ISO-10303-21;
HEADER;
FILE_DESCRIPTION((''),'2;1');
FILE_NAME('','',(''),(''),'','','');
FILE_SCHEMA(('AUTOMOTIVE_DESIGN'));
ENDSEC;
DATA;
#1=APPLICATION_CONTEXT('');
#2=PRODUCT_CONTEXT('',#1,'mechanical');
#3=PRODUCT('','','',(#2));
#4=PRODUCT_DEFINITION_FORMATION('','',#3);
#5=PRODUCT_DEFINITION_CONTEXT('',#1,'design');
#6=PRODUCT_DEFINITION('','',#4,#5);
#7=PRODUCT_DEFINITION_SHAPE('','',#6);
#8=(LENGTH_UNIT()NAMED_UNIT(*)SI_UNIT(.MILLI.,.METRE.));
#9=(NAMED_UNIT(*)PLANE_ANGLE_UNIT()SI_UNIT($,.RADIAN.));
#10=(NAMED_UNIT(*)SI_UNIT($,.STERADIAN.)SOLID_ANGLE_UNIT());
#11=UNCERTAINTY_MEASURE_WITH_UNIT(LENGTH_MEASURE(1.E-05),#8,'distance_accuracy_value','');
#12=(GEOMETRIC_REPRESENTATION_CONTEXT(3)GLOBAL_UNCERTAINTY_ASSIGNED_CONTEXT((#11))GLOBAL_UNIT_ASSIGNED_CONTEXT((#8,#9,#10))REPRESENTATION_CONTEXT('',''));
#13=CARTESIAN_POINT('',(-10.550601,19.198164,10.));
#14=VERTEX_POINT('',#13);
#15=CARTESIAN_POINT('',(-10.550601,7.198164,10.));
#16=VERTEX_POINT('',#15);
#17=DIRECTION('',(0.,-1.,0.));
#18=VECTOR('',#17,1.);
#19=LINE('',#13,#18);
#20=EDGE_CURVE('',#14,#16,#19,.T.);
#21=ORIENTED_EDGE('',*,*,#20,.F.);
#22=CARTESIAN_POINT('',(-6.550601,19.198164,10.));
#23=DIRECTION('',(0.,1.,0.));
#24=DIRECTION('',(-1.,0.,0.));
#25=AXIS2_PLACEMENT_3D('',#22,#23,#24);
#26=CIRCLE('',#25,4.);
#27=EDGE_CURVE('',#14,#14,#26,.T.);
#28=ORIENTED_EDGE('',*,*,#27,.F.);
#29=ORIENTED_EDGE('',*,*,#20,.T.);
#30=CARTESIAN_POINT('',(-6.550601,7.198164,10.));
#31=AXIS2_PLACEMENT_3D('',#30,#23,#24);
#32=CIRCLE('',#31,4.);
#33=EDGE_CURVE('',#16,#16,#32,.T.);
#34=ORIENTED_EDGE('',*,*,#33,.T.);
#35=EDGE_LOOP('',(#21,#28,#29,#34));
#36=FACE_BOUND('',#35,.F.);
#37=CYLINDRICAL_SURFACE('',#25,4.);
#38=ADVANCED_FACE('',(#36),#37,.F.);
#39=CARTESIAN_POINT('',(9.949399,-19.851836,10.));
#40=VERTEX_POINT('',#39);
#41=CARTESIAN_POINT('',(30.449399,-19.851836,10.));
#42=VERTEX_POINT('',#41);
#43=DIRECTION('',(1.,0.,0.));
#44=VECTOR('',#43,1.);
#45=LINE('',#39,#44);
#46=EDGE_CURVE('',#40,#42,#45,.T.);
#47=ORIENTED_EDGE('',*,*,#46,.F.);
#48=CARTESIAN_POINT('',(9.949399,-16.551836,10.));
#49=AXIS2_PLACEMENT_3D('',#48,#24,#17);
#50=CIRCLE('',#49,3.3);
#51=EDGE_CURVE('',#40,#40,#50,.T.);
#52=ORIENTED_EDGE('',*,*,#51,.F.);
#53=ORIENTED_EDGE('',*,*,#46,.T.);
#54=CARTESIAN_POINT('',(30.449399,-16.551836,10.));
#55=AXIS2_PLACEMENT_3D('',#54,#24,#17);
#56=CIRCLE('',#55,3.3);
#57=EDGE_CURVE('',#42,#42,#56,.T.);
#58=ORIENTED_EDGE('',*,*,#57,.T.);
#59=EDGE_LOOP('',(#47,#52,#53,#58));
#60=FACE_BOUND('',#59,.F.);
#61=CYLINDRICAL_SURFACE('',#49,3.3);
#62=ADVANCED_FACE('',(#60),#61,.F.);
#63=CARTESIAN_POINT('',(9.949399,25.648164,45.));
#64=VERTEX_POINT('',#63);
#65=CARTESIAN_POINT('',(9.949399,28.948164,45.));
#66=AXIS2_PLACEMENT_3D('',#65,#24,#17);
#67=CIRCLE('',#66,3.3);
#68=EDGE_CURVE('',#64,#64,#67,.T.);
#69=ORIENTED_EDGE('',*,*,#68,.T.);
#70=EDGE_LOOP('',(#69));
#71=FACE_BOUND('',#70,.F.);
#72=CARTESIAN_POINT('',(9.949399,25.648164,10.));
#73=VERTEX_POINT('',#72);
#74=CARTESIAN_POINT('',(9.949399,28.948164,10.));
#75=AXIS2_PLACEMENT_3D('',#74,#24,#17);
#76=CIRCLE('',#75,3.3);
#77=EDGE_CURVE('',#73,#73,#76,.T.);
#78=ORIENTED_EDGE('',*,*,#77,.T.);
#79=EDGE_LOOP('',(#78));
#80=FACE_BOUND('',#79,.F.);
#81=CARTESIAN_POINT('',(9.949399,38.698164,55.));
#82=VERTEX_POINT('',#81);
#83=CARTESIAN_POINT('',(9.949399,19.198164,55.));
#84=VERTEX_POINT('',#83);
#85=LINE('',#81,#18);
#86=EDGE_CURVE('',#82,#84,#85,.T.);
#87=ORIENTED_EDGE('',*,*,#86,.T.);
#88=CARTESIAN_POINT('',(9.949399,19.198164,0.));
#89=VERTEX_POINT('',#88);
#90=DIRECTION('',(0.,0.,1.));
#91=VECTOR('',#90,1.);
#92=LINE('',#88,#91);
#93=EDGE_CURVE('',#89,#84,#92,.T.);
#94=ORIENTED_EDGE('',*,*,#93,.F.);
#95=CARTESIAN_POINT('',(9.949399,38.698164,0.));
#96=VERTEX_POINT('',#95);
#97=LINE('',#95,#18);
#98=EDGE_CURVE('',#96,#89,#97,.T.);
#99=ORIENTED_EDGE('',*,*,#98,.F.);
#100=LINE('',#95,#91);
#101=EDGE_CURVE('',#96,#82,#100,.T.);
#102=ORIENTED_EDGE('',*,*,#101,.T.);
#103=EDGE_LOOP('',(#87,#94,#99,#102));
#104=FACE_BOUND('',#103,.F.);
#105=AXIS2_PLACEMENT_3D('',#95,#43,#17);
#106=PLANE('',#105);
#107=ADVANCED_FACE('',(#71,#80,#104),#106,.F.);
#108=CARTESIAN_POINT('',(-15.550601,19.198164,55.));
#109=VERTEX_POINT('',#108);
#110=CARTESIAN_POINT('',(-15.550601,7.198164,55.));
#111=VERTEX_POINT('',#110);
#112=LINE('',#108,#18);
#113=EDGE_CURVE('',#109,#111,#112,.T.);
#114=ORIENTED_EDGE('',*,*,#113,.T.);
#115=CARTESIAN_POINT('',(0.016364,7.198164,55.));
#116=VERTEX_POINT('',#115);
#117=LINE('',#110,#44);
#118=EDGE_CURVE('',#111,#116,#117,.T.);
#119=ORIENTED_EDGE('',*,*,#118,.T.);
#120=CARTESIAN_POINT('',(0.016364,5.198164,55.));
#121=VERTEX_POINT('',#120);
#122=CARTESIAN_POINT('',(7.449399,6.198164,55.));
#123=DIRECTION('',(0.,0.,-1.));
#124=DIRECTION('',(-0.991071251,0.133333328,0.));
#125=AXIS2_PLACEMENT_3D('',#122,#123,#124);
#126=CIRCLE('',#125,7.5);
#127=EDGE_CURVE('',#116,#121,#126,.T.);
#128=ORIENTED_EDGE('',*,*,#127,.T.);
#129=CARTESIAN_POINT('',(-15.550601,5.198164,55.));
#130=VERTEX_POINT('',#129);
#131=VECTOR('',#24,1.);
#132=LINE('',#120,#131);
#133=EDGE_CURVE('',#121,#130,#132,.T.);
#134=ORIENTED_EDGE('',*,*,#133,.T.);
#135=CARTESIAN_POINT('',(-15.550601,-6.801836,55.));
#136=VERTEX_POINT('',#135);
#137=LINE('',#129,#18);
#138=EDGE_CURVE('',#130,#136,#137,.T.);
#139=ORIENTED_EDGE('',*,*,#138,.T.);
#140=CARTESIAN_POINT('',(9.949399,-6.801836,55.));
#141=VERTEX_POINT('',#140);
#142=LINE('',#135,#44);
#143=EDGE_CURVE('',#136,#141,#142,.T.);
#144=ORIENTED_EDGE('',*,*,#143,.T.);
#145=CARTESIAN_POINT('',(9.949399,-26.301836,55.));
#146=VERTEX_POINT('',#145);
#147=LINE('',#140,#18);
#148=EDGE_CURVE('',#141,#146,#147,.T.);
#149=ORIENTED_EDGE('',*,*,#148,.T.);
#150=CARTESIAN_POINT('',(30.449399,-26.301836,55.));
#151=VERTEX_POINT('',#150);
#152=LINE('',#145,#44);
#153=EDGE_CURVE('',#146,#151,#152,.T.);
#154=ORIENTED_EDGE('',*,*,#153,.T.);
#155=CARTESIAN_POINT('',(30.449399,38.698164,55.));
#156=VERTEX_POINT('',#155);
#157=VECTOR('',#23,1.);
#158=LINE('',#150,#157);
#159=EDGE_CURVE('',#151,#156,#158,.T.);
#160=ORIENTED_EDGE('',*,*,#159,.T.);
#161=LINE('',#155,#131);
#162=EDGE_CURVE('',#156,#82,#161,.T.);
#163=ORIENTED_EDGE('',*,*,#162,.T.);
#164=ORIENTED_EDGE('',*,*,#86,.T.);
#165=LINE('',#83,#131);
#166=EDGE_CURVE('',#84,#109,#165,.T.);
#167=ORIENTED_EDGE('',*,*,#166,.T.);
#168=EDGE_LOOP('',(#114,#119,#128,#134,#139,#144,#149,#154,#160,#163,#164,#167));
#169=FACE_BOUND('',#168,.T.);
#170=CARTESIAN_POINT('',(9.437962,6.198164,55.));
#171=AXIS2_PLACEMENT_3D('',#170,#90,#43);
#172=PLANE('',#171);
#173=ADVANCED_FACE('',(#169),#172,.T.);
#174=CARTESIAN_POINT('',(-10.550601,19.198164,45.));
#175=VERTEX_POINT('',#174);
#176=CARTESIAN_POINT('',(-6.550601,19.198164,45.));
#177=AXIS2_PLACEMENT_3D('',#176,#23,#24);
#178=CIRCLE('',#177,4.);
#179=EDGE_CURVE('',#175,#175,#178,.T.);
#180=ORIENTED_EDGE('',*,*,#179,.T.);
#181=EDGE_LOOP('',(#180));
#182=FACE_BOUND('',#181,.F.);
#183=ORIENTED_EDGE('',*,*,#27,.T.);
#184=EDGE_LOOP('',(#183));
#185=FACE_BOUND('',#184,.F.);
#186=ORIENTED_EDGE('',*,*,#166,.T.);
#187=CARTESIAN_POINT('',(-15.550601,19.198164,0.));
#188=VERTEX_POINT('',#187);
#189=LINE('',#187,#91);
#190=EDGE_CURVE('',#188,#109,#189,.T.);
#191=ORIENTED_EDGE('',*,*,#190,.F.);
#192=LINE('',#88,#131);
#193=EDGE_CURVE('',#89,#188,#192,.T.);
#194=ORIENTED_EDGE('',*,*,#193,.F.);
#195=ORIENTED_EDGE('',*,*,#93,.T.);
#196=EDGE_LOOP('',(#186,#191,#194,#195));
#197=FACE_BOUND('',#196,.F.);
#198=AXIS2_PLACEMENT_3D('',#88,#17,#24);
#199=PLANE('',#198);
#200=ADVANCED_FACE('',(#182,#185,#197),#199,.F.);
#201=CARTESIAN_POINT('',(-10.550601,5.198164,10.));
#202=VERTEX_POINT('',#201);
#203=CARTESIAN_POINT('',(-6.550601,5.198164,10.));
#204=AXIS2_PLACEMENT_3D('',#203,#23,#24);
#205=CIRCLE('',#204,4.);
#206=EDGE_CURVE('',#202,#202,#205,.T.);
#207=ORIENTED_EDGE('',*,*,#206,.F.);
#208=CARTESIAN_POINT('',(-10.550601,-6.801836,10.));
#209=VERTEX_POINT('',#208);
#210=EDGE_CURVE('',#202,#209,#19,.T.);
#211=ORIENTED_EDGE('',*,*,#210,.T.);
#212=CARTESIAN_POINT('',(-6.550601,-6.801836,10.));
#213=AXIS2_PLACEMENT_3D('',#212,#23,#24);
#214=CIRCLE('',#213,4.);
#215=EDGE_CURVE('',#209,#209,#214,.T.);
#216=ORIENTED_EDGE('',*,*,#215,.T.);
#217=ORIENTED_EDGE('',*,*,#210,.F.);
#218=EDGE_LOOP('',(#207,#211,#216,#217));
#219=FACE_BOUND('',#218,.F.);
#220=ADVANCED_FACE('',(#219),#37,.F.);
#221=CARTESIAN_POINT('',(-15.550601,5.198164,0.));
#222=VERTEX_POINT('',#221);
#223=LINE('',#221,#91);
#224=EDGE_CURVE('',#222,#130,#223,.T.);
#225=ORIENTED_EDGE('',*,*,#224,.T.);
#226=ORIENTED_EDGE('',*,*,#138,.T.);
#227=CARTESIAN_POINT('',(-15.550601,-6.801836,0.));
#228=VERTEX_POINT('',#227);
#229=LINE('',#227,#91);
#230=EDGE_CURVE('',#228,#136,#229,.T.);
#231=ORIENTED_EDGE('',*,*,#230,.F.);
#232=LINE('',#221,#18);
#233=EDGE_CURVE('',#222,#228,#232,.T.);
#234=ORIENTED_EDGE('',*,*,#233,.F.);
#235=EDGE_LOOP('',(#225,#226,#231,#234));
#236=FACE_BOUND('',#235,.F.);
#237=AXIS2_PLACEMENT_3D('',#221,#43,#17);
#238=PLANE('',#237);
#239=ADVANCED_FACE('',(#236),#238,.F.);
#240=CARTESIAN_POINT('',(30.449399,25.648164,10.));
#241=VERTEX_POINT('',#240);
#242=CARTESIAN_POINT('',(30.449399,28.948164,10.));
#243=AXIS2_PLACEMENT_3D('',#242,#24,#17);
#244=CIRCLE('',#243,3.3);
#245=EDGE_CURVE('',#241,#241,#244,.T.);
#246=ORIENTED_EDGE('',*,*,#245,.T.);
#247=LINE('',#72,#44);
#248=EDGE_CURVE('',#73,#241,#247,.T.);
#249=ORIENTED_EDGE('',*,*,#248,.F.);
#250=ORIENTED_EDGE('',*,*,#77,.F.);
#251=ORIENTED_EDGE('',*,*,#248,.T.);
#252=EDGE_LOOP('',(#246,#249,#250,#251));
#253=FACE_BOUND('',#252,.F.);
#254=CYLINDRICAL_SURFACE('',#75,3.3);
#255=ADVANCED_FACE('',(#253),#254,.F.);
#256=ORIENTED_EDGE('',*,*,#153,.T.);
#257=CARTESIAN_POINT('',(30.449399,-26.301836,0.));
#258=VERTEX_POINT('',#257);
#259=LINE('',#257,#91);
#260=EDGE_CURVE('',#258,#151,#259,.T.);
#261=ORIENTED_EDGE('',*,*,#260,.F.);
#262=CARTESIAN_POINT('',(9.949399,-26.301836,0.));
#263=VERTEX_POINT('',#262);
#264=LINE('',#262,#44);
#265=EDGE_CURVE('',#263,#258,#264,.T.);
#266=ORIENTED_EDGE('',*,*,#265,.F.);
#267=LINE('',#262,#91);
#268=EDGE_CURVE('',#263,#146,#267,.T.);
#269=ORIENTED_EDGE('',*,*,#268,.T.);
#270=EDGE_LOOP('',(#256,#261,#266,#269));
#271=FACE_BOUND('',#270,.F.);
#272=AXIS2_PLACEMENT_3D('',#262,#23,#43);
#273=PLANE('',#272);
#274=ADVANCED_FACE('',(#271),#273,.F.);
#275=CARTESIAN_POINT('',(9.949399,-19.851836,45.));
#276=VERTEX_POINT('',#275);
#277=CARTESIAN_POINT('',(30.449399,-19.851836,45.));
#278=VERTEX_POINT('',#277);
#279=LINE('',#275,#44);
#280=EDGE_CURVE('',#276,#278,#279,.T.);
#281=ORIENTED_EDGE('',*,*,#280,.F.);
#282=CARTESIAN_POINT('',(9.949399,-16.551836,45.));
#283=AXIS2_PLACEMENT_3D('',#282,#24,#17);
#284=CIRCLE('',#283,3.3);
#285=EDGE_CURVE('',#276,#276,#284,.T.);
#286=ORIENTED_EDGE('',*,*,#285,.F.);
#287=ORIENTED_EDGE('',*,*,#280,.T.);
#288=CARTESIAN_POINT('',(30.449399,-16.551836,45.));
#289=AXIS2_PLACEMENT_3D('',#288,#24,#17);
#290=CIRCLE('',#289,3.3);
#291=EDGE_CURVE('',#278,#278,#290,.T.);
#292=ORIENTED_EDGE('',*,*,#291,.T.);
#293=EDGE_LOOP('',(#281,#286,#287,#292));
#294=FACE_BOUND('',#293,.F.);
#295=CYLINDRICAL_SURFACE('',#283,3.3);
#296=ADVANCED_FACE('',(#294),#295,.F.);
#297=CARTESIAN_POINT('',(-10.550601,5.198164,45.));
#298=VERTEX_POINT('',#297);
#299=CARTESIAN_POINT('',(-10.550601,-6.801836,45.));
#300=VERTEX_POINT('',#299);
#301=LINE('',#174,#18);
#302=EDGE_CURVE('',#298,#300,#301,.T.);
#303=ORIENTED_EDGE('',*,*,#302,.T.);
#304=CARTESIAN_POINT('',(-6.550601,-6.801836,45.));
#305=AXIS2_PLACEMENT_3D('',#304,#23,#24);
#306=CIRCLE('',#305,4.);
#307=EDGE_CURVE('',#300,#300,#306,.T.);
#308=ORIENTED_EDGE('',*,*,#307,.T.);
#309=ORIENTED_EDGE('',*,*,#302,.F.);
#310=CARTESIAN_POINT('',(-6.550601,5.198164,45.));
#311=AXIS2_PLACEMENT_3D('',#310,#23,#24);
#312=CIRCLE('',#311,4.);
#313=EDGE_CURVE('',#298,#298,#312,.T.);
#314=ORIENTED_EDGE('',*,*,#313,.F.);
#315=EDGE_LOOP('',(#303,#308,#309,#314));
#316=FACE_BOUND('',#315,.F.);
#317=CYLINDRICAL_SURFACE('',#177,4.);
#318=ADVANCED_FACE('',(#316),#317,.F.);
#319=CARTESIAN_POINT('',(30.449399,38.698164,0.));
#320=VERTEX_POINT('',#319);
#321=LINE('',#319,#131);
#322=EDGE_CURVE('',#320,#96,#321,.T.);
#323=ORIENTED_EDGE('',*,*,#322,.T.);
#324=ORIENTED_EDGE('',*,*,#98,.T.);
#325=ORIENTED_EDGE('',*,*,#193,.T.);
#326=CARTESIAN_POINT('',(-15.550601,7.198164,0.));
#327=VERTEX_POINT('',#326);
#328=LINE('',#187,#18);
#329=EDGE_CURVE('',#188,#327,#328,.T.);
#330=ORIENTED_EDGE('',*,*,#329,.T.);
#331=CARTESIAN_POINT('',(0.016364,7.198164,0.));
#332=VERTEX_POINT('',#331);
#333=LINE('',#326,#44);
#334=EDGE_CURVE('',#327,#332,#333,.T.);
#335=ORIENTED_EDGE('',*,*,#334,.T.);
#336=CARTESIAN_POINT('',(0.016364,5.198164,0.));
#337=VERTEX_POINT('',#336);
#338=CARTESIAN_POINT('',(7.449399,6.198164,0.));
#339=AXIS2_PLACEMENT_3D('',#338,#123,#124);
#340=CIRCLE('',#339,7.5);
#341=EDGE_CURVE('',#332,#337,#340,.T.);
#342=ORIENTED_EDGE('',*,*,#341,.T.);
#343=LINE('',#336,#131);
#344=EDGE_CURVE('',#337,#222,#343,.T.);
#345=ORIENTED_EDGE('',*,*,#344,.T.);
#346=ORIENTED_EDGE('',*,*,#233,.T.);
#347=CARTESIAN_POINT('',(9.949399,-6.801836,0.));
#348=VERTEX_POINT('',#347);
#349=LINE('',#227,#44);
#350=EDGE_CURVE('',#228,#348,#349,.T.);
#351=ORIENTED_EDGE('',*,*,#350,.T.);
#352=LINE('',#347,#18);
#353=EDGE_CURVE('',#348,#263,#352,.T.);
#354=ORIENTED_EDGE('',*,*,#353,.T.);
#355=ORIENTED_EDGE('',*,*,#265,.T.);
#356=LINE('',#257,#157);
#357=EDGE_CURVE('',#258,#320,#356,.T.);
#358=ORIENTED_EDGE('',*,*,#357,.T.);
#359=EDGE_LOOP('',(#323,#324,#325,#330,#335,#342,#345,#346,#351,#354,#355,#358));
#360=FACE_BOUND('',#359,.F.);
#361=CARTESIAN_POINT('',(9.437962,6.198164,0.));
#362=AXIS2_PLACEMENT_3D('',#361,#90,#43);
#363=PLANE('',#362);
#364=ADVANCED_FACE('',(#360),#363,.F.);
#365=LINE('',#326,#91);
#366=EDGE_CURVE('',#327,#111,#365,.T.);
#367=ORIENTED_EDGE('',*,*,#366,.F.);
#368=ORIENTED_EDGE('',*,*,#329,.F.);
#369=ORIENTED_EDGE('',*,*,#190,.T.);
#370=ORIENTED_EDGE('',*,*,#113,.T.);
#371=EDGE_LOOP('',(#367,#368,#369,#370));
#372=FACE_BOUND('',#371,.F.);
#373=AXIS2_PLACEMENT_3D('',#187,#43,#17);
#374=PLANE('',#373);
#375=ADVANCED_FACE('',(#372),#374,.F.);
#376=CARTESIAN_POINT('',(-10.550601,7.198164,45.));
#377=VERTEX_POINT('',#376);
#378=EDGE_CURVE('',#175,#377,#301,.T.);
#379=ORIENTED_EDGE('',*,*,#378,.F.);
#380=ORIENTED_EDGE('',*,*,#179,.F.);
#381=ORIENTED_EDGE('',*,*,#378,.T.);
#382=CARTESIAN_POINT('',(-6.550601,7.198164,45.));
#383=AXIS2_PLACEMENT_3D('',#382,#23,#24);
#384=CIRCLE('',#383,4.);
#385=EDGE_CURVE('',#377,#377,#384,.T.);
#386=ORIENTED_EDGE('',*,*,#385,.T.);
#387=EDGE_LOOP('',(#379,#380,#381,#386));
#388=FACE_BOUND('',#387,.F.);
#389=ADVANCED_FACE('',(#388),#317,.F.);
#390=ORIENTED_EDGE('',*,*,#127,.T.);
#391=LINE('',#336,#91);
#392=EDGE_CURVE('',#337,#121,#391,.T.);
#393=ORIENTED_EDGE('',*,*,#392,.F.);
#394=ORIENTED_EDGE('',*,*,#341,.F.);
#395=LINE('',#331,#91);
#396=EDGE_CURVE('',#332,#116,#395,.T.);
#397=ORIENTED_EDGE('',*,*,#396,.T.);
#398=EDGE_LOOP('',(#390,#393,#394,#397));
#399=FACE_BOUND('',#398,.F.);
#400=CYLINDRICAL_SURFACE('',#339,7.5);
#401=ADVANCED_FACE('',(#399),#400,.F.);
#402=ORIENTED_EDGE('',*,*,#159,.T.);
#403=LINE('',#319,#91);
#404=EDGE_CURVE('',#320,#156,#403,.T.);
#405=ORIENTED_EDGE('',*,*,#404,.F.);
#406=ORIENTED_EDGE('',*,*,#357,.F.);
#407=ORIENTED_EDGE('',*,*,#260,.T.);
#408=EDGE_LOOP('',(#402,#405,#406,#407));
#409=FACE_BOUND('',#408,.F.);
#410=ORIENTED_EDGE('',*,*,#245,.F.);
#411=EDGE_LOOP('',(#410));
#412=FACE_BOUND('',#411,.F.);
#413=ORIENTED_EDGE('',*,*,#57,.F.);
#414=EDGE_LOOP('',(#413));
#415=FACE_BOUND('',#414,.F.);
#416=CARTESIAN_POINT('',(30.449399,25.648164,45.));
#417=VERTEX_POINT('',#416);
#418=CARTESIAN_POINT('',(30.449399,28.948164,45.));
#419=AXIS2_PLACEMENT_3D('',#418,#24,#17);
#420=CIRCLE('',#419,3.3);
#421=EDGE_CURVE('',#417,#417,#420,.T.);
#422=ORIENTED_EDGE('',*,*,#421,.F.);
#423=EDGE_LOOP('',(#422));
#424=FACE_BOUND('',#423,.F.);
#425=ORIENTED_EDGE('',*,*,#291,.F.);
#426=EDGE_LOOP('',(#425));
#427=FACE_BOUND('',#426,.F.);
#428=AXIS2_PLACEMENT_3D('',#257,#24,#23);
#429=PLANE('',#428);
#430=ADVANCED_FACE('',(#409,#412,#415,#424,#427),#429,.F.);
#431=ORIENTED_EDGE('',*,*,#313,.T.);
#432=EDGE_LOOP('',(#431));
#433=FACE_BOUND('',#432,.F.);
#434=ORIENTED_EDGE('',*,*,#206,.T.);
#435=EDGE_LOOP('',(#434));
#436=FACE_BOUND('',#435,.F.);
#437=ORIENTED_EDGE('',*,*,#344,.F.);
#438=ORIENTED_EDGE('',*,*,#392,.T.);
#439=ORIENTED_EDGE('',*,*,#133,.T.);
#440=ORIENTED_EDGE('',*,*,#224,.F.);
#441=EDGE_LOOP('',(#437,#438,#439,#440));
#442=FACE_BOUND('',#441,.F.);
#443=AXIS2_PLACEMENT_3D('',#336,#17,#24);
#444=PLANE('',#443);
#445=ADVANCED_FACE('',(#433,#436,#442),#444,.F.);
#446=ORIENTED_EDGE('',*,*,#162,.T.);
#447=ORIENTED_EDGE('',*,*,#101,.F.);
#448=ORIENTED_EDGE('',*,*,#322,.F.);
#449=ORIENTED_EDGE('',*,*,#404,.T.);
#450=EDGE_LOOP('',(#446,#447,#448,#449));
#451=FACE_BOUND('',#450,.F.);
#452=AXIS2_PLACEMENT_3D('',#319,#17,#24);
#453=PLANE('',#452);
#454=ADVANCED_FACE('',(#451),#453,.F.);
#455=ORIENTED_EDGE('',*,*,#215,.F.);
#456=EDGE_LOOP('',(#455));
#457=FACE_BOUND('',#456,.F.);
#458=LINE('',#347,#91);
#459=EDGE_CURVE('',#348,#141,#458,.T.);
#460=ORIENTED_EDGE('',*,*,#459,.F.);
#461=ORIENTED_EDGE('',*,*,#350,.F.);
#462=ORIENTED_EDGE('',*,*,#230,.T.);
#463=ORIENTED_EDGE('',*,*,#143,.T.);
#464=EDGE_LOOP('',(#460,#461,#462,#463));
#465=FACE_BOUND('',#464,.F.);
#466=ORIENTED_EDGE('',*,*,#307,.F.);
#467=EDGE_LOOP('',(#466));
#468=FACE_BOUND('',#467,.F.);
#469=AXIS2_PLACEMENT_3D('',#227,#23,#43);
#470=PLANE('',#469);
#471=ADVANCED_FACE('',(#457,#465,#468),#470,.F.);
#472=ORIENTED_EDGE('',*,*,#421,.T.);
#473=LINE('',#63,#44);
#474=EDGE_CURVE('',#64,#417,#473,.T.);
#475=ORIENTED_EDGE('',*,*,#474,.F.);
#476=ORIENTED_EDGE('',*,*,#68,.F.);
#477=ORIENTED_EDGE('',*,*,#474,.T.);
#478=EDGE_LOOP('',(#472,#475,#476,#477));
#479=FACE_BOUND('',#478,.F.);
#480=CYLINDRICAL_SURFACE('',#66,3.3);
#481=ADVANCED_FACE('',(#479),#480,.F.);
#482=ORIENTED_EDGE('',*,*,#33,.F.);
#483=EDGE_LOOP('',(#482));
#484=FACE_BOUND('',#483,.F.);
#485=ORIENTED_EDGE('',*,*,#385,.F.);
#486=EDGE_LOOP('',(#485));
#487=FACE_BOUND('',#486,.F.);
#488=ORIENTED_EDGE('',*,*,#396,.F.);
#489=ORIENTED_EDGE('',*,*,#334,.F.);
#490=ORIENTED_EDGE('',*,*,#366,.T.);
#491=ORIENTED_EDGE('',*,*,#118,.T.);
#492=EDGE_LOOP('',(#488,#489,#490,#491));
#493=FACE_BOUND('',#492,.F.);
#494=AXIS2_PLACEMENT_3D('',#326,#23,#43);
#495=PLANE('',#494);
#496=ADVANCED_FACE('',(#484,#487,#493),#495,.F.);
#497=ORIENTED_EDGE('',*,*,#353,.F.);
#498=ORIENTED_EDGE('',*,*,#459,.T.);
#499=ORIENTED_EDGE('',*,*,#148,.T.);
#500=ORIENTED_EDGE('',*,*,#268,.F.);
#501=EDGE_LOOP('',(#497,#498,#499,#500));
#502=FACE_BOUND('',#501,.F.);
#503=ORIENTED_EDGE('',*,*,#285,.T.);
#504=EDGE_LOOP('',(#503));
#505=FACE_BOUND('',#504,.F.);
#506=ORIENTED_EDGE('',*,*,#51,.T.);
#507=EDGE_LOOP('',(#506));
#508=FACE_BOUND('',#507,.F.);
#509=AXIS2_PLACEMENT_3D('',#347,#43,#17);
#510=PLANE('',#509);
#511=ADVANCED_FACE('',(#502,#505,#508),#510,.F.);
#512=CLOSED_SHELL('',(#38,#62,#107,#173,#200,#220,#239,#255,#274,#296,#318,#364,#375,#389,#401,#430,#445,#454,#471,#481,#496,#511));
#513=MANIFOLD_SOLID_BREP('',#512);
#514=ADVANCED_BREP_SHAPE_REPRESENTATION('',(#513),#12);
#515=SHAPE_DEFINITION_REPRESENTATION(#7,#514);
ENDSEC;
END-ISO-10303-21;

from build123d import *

# Parameters (mm, degrees)
F1_DEPTH = 55
F2_R     = 4
F3_DEPTH = 31.4
F4_R     = 3.3
F5_DEPTH = 25
F6_R     = 3.3
F7_DEPTH = 25


with BuildPart() as f1:
    # F0 (on Top) → F1 (new body)
    with BuildSketch(Plane.XY):
        with BuildLine():
            Line((9.949399, -26.301836), (30.449399, -26.301836))
            Line((30.449399, -26.301836), (30.449399, 38.698164))
            Line((30.449399, 38.698164), (9.949399, 38.698164))
            Line((9.949399, 38.698164), (9.949399, 19.198164))
            Line((9.949399, 19.198164), (-15.550601, 19.198164))
            Line((-15.550601, 19.198164), (-15.550601, 7.198164))
            Line((-15.550601, 7.198164), (0.016364, 7.198164))
            ThreePointArc((0.016364, 7.198164), (14.949399, 6.198164), (0.016364, 5.198164))
            Line((0.016364, 5.198164), (-15.550601, 5.198164))
            Line((-15.550601, 5.198164), (-15.550601, -6.801836))
            Line((-15.550601, -6.801836), (9.949399, -6.801836))
            Line((9.949399, -6.801836), (9.949399, -26.301836))
        make_face()
    extrude(amount=F1_DEPTH)

    # F2 (on face) → F3 (cut)
    with BuildSketch(Plane(origin=(0, 19.198164, 0), x_dir=(-1, 0, 0), z_dir=(0, 1, 0))):
        with Locations((6.550601, 10)):
            Circle(F2_R)
        with Locations((6.550601, 45)):
            Circle(F2_R)
    extrude(amount=-F3_DEPTH, mode=Mode.SUBTRACT)

    # F4 (on face) → F5 (cut)
    with BuildSketch(Plane(origin=(9.949399, 0, 0), x_dir=(0, -1, 0), z_dir=(-1, 0, 0))):
        with Locations((-28.948164, 10)):
            Circle(F4_R)
        with Locations((-28.948164, 45)):
            Circle(F4_R)
    extrude(amount=-F5_DEPTH, mode=Mode.SUBTRACT)

    # F6 (on face) → F7 (cut)
    with BuildSketch(Plane(origin=(9.949399, 0, 0), x_dir=(0, -1, 0), z_dir=(-1, 0, 0))):
        with Locations((16.551836, 10)):
            Circle(F6_R)
        with Locations((16.551836, 45)):
            Circle(F6_R)
    extrude(amount=-F7_DEPTH, mode=Mode.SUBTRACT)


solid = f1.part
